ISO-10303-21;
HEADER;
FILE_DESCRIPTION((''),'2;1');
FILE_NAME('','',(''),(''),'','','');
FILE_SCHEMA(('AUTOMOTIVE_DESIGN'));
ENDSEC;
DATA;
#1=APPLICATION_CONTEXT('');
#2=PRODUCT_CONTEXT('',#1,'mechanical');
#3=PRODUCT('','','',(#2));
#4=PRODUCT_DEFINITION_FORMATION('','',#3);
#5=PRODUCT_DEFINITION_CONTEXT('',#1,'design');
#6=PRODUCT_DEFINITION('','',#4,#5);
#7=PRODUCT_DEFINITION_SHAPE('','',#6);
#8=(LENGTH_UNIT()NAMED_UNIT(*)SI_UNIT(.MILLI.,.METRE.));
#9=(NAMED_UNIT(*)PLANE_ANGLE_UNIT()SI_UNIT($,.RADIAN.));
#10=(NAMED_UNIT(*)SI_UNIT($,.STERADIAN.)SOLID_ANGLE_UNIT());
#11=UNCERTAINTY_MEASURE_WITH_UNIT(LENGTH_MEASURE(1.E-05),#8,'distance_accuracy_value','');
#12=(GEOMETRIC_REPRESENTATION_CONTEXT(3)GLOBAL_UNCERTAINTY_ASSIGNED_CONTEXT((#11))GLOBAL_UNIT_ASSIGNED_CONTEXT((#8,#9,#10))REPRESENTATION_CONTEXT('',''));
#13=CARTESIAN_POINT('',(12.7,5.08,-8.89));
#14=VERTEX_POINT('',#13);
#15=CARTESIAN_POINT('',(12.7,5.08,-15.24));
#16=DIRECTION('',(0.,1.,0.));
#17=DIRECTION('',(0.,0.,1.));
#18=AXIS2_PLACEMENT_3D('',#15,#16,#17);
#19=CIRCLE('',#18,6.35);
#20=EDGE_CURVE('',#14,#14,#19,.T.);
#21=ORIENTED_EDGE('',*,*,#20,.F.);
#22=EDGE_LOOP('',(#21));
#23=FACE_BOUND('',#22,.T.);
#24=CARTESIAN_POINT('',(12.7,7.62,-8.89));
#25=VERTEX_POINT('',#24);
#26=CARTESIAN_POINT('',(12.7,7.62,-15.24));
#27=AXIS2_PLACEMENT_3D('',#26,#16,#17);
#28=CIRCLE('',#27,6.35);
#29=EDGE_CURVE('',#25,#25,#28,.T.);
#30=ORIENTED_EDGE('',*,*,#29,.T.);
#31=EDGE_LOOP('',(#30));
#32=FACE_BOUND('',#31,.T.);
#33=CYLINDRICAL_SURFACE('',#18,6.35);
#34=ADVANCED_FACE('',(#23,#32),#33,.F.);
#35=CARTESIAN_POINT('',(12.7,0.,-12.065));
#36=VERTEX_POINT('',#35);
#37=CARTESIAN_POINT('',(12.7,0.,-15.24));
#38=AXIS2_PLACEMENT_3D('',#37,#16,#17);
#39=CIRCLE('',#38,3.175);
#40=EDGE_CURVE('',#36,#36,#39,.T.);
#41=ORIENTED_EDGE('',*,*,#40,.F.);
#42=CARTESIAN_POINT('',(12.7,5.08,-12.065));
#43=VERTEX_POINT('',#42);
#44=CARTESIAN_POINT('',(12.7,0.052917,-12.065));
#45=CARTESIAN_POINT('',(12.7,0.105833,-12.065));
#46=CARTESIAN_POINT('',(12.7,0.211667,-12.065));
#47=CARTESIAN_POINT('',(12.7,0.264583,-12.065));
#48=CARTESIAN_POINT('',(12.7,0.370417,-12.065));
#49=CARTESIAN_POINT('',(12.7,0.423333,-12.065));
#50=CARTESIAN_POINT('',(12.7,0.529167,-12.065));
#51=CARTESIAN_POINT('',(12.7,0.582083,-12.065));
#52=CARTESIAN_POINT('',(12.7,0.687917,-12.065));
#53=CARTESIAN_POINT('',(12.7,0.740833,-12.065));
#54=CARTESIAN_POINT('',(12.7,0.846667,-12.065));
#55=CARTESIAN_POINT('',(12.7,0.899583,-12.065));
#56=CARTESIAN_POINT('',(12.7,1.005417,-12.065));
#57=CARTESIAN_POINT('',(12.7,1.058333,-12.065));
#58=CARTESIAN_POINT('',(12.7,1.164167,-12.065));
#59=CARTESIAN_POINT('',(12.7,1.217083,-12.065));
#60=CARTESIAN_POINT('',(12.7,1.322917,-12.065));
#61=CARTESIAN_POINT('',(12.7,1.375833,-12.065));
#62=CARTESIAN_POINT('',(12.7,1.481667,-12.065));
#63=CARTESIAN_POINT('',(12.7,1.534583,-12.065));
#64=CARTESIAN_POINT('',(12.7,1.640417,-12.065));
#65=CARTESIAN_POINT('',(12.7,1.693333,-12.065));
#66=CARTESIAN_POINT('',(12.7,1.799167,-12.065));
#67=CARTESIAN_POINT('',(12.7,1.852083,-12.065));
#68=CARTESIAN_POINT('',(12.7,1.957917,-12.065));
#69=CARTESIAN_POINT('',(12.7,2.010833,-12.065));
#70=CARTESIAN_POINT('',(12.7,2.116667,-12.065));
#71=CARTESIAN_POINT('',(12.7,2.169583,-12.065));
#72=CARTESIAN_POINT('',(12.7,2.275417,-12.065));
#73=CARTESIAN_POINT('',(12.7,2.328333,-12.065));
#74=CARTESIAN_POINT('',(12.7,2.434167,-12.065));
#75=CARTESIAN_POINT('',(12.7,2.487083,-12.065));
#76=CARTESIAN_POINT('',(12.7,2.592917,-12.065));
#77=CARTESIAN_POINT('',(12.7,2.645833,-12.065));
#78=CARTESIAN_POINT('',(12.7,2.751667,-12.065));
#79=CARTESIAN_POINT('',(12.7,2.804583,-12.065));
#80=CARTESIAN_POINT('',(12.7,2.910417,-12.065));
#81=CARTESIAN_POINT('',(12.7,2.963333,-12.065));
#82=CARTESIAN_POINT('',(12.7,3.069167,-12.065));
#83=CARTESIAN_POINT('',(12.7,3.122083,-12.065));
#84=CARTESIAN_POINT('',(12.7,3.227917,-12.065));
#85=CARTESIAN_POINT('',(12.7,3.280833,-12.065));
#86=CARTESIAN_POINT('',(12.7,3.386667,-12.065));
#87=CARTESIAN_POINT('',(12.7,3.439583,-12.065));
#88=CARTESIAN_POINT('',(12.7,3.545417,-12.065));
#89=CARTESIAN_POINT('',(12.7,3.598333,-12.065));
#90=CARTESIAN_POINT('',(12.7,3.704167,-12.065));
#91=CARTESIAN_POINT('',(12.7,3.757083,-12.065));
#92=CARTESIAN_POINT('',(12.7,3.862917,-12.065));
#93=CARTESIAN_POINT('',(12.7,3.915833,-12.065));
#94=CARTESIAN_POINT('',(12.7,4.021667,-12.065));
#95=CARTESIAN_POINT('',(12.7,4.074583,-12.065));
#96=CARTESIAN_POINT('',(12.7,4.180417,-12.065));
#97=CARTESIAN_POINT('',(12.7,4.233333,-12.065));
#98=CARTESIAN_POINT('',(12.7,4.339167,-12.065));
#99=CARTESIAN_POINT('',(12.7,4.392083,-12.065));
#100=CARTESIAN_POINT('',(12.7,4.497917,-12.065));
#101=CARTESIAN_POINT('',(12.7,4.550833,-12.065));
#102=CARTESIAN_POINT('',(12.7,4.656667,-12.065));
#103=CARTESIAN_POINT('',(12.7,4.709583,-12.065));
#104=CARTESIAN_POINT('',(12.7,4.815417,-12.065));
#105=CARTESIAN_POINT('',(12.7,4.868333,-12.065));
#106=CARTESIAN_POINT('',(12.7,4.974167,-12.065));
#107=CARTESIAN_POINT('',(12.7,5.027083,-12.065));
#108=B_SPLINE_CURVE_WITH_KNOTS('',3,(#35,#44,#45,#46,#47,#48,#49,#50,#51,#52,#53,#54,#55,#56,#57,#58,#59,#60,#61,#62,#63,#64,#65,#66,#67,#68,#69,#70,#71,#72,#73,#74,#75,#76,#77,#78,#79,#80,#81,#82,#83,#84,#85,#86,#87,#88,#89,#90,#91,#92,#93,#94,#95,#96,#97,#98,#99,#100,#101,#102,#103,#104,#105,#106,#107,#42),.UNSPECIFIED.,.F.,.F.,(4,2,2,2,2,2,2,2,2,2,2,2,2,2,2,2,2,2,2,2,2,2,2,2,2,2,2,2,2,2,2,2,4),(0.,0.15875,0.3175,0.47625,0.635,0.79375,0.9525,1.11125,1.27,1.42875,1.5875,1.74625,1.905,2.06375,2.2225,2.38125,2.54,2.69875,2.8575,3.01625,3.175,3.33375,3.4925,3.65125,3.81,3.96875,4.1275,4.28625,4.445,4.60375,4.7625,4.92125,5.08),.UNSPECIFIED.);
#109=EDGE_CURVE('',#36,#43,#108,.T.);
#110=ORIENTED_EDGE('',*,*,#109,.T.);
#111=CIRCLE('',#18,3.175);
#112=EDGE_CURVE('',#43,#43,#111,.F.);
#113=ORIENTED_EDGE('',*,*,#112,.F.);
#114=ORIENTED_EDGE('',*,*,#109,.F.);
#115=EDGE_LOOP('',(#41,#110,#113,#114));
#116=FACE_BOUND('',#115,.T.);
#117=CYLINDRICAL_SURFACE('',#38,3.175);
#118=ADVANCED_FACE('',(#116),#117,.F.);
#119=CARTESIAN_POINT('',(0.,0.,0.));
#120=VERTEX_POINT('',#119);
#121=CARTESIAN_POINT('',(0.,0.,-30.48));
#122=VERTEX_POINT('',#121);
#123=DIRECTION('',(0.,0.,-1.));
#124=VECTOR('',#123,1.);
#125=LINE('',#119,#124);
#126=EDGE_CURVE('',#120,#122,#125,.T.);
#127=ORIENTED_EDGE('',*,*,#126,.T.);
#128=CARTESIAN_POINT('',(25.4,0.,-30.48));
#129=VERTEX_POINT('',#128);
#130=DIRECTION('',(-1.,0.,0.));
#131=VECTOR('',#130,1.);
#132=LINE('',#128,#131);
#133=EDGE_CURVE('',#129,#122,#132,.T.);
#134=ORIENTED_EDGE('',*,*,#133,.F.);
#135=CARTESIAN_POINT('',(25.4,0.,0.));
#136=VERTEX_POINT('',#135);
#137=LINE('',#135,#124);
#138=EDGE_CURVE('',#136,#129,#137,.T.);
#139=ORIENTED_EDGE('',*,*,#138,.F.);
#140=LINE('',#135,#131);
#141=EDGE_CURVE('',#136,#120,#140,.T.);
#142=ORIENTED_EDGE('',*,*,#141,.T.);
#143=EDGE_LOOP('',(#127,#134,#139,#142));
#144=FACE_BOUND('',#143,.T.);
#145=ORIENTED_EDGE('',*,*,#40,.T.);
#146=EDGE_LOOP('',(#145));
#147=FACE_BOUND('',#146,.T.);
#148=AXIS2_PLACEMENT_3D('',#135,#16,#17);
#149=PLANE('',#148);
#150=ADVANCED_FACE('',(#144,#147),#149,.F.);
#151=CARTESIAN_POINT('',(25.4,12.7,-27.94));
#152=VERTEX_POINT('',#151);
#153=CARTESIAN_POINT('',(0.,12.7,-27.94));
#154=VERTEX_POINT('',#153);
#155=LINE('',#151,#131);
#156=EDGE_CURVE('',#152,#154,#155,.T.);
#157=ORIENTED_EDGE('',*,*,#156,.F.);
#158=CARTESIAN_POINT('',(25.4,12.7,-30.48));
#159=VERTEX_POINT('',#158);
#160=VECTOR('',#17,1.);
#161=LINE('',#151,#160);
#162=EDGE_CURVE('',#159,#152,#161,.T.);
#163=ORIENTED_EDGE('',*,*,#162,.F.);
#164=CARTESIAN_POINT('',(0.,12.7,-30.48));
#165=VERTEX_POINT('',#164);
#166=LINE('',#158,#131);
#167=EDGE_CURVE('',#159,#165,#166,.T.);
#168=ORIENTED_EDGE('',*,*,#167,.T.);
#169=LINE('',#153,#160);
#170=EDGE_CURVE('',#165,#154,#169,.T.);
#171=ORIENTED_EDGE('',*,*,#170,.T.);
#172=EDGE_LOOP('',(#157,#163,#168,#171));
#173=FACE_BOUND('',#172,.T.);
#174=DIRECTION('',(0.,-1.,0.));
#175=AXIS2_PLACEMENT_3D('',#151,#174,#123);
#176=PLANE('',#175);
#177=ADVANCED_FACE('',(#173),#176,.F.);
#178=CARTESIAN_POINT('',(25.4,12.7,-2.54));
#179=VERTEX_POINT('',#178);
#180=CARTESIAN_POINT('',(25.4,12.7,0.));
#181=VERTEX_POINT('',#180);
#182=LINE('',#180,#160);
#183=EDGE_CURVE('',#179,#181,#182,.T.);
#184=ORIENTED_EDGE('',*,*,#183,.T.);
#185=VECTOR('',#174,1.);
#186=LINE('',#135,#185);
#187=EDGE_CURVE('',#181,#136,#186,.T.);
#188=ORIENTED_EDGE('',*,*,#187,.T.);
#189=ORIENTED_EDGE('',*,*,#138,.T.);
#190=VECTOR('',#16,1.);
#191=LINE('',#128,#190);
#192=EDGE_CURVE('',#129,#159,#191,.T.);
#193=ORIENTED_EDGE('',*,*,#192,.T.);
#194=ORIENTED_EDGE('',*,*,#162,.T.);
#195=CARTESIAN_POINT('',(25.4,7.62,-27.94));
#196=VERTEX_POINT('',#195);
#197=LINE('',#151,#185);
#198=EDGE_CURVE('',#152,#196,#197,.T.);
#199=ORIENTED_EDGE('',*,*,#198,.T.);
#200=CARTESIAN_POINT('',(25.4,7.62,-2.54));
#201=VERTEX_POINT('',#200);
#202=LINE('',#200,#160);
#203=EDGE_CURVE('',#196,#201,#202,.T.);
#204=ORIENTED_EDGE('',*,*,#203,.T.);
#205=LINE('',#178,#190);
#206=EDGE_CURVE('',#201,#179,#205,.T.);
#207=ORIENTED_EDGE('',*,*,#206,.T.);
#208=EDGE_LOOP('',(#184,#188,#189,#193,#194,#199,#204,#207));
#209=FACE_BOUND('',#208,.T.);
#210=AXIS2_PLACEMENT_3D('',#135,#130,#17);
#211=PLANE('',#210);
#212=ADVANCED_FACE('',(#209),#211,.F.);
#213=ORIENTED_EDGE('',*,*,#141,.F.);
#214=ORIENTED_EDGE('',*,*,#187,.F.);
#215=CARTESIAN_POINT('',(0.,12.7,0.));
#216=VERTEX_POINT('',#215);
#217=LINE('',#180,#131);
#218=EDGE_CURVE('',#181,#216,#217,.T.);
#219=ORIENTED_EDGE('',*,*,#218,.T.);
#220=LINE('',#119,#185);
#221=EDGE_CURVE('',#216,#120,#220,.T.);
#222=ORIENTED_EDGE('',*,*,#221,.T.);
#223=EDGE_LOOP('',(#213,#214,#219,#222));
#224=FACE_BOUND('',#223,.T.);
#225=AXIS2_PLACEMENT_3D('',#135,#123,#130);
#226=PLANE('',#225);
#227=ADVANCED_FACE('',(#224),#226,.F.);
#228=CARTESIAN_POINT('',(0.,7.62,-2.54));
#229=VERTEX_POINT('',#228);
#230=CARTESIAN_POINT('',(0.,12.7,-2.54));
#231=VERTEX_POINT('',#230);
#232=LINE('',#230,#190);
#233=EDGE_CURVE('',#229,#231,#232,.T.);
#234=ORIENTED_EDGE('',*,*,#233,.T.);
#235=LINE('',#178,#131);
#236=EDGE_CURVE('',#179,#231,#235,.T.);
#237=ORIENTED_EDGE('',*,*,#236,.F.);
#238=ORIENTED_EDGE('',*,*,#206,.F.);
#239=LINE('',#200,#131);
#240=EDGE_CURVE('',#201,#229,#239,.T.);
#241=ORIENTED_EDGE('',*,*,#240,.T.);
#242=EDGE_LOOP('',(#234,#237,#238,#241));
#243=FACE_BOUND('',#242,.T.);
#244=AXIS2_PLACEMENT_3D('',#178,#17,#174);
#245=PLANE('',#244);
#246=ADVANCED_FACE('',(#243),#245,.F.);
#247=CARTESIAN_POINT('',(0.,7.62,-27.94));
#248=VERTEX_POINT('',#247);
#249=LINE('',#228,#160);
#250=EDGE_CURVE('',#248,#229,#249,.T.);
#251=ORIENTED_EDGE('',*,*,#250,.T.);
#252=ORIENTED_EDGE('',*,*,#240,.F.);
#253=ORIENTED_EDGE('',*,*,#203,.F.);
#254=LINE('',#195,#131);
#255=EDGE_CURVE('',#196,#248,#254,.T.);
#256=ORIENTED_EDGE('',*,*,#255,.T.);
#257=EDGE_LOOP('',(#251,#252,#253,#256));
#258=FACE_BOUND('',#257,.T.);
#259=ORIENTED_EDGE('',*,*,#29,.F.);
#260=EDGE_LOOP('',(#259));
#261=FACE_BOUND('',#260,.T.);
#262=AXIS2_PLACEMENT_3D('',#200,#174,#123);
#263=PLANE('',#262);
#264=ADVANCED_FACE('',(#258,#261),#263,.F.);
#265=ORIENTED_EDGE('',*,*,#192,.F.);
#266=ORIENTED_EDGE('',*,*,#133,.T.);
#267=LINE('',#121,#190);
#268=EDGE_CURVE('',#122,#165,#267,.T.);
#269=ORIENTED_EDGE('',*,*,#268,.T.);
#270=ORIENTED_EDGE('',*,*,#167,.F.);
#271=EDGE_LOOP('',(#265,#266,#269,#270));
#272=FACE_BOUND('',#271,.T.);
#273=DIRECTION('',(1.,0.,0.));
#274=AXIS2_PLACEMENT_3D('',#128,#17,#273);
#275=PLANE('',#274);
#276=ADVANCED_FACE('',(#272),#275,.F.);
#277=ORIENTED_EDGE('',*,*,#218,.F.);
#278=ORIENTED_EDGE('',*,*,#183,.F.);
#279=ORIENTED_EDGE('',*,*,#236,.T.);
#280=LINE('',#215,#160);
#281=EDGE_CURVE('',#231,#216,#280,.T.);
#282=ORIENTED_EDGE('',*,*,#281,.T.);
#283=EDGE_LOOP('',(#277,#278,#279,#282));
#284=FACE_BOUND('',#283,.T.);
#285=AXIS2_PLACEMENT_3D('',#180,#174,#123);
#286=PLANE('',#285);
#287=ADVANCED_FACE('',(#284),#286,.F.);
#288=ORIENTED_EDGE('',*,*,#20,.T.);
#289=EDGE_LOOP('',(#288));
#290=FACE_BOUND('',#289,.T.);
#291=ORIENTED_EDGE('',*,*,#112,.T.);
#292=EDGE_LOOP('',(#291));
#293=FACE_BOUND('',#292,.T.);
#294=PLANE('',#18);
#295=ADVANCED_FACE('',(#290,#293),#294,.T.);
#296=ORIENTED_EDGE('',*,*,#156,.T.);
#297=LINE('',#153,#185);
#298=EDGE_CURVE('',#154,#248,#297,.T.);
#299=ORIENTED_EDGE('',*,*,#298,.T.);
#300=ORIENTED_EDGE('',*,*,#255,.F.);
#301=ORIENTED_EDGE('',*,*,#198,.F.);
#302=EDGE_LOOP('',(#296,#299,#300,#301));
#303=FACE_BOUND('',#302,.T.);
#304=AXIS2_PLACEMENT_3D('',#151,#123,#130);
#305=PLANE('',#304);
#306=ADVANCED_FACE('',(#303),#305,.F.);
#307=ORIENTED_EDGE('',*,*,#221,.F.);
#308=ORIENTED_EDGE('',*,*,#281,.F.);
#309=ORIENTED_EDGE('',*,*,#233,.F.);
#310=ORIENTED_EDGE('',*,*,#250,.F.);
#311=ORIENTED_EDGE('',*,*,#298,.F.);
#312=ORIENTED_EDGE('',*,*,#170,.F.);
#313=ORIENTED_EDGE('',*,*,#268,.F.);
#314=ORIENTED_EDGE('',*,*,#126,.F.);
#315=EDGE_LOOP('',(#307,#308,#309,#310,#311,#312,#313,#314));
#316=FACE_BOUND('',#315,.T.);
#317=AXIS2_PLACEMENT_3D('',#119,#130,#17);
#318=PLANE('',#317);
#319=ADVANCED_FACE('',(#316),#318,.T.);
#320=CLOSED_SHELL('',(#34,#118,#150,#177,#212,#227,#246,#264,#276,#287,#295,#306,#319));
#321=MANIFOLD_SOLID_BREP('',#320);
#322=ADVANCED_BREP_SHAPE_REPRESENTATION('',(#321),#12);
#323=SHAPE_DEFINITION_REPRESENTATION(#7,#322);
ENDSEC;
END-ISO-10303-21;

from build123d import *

# Parameters (mm, degrees)
BOSS_EXTRUDE1_DEPTH = 25.4
SKETCH2_R           = 3.175
CUT_EXTRUDE1_DEPTH  = 41.40117325
SKETCH3_R           = 6.35
CUT_EXTRUDE2_DEPTH  = 2.54


with BuildPart() as part:
    # Sketch1 → Boss-Extrude1 (new body)
    with BuildSketch(Plane(origin=(0, 0, 0), x_dir=(0, 0, -1), z_dir=(1, 0, 0))):
        Polygon((27.94, 12.7), (30.48, 12.7), (30.48, 0), (0, 0), (0, 12.7), (2.54, 12.7), (2.54, 7.62), (27.94, 7.62), align=None)
    extrude(amount=BOSS_EXTRUDE1_DEPTH)

    # Sketch2 → Cut-Extrude1 (cut, through all)
    with BuildSketch(Plane(origin=(0, 7.62, 0), x_dir=(1, 0, 0), z_dir=(0, 1, 0))):
        with Locations(Location((12.7, 15.24, 0), (0, 0, 270))):
            Circle(SKETCH2_R)
    extrude(amount=-CUT_EXTRUDE1_DEPTH, mode=Mode.SUBTRACT)

    # Sketch3 → Cut-Extrude2 (cut)
    with BuildSketch(Plane(origin=(0, 7.62, 0), x_dir=(1, 0, 0), z_dir=(0, 1, 0))):
        with Locations(Location((12.7, 15.24, 0), (0, 0, 270))):
            Circle(SKETCH3_R)
    extrude(amount=-CUT_EXTRUDE2_DEPTH, mode=Mode.SUBTRACT)


solid = part.part
